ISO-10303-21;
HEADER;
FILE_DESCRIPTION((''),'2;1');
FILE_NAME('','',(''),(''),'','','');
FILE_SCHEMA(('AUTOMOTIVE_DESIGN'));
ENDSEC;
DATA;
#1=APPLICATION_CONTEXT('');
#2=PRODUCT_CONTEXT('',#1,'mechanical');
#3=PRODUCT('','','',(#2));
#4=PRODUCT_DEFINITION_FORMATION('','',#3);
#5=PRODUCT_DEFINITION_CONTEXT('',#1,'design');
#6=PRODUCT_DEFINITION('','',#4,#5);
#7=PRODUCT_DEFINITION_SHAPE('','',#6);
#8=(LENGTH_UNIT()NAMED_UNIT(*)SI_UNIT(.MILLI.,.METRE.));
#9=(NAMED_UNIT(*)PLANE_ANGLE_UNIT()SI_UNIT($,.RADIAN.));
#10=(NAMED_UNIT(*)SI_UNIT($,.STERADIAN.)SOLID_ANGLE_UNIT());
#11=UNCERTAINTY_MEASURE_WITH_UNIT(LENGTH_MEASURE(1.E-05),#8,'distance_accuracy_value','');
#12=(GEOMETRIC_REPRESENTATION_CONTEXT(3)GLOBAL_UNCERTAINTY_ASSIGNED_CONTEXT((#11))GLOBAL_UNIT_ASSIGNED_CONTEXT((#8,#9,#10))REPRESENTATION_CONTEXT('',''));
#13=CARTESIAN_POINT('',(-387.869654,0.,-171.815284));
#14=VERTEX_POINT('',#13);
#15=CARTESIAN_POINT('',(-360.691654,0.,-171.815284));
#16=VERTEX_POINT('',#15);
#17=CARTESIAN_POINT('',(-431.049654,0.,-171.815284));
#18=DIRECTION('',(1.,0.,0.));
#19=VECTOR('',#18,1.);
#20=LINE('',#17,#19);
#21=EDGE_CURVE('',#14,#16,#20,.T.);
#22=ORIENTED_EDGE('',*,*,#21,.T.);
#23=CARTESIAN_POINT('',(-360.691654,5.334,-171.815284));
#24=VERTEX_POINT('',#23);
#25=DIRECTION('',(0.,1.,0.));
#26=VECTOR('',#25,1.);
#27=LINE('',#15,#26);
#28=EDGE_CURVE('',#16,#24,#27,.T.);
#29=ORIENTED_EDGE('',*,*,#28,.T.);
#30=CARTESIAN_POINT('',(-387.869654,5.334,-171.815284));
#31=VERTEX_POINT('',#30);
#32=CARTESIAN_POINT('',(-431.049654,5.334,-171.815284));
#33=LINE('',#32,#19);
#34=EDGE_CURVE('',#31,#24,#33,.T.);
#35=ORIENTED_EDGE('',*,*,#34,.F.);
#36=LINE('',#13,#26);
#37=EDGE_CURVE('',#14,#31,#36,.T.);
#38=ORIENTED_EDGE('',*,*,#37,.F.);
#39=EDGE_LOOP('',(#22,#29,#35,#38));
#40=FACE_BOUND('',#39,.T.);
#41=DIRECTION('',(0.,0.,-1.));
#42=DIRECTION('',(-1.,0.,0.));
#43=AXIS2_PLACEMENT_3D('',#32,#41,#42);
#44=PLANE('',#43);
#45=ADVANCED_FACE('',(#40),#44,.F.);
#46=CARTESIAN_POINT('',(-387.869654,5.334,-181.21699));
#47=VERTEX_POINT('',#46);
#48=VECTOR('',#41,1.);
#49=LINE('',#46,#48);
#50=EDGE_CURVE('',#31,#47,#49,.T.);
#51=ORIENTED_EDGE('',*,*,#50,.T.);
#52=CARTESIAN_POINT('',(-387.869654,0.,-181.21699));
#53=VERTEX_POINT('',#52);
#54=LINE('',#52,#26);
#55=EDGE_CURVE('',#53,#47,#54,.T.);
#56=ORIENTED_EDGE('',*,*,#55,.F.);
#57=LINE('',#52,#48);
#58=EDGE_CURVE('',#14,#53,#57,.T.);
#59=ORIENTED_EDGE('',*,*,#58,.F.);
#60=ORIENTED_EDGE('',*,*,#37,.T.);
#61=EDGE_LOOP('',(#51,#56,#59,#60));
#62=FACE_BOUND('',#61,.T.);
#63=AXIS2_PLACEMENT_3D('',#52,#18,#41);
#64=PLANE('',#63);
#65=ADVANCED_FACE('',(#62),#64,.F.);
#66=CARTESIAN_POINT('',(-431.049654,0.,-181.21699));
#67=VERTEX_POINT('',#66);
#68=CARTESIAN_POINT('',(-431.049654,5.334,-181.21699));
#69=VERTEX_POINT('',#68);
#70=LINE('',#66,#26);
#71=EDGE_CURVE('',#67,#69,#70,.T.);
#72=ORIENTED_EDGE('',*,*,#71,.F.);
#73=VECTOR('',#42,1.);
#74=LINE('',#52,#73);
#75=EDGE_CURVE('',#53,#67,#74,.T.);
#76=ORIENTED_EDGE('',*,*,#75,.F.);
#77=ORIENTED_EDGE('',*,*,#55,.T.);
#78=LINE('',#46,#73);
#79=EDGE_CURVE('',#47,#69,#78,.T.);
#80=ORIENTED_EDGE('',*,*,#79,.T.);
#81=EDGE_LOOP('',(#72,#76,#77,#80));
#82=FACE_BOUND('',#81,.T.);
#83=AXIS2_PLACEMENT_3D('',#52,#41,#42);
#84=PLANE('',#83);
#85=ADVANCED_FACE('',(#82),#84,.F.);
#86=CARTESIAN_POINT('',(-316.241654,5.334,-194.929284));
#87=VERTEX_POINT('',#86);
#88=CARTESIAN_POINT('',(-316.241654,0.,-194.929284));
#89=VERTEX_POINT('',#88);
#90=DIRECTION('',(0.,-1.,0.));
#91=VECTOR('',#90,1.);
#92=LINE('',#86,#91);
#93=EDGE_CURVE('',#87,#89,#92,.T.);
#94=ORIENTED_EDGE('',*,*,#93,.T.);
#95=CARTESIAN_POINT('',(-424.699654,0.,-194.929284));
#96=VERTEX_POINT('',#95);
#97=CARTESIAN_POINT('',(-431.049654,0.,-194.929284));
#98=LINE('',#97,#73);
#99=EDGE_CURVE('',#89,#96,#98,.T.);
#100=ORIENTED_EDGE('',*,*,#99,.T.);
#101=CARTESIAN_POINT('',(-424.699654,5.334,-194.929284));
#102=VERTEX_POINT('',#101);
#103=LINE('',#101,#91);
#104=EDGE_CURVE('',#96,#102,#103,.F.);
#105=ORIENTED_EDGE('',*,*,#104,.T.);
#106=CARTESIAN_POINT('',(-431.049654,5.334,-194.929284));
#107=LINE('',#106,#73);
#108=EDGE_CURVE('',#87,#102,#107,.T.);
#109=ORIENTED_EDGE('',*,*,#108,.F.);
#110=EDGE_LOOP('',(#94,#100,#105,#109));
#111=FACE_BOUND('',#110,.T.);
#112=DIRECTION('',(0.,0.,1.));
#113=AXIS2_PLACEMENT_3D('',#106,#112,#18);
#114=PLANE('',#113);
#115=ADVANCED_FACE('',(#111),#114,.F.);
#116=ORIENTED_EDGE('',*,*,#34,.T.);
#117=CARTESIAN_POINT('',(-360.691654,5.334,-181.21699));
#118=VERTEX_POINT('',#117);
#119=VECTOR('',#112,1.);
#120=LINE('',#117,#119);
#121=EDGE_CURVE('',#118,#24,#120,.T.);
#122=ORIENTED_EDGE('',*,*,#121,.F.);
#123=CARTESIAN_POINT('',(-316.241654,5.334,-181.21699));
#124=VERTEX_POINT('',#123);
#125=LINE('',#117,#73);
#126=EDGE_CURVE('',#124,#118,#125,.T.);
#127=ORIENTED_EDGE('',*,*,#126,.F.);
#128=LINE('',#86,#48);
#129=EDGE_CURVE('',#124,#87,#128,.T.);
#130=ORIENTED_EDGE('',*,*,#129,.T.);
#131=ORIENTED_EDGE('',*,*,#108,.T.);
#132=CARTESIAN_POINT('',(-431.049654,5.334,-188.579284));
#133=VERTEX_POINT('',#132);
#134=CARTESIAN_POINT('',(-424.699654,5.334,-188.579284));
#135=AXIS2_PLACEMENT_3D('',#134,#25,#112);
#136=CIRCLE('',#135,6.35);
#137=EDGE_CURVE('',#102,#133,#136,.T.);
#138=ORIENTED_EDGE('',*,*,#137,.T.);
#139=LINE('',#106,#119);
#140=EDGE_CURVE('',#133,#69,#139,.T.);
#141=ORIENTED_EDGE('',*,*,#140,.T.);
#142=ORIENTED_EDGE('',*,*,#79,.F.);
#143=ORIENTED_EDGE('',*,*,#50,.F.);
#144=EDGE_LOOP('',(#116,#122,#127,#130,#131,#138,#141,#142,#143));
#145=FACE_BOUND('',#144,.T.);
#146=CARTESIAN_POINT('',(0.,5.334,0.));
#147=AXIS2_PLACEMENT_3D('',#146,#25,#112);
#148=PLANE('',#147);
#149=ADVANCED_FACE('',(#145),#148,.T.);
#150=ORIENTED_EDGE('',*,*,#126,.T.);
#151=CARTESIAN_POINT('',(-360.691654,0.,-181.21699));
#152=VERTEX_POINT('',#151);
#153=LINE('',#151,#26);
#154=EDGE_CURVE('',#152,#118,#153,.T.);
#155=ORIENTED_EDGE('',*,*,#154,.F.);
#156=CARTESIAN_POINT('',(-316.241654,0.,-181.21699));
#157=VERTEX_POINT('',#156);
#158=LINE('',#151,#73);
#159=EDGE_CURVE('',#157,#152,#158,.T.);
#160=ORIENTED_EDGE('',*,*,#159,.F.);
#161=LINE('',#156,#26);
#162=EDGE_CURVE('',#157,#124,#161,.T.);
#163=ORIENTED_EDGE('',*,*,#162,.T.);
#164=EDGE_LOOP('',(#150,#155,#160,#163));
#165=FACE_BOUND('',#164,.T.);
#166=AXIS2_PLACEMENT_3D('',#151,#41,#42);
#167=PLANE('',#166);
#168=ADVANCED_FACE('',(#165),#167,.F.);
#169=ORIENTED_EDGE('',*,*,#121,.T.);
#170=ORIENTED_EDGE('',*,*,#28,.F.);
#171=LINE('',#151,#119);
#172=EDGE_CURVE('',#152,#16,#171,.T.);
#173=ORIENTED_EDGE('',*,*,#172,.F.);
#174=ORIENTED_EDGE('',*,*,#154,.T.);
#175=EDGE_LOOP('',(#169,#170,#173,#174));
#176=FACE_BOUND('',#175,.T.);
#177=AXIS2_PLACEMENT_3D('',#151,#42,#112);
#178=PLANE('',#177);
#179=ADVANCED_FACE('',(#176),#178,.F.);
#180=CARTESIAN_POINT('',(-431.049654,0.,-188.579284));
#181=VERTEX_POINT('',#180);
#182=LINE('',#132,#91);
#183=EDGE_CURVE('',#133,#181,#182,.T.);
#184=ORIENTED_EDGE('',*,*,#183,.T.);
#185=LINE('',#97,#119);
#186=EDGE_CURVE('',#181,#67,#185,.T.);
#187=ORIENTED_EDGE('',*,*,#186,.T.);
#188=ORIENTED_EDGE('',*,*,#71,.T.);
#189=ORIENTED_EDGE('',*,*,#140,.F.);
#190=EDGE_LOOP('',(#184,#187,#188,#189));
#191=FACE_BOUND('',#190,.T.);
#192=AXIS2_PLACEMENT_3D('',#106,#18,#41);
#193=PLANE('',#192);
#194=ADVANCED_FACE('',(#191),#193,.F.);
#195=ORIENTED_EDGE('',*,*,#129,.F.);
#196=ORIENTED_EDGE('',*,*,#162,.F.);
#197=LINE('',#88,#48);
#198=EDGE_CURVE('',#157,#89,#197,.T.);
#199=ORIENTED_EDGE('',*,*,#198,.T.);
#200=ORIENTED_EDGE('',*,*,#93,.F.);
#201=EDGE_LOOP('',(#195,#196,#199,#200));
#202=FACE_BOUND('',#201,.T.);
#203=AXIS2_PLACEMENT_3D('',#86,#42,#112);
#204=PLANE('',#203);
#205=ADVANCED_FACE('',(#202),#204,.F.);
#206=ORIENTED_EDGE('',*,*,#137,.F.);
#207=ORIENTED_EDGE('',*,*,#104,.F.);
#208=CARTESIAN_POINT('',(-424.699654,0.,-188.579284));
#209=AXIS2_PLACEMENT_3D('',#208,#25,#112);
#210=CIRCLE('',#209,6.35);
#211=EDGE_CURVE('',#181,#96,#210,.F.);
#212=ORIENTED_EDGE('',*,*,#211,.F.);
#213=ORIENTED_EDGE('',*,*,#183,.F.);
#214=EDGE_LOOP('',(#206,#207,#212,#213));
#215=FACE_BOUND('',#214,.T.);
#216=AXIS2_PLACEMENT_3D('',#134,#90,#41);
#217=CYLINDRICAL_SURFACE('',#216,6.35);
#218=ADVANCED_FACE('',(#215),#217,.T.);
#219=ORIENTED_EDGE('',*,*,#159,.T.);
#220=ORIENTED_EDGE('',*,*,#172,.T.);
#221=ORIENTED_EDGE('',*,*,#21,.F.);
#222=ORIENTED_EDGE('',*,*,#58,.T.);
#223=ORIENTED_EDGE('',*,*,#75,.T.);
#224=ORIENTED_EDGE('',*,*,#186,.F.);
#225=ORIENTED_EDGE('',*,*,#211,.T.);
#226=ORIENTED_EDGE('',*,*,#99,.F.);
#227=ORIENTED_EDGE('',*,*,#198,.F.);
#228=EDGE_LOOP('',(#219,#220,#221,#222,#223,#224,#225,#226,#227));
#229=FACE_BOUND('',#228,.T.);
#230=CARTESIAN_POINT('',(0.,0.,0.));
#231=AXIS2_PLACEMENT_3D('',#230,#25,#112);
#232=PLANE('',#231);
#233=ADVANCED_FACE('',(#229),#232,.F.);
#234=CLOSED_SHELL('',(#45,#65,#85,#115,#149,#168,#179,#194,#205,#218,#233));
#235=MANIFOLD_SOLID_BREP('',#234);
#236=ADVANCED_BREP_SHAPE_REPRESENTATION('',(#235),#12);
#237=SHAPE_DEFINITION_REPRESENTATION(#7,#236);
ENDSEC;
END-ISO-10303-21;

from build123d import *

# Parameters (mm, degrees)
SKETCH1_W           = 114.808
SKETCH1_H           = 23.114
BOSS_EXTRUDE1_DEPTH = 5.334
FILLET1_R           = 6.35
SKETCH3_W           = 43.18
SKETCH3_H           = 9.401705223
SKETCH3_W_2         = 44.45
CUT_EXTRUDE2_DEPTH  = 474.106416887


with BuildPart() as part:
    # Sketch1 → Boss-Extrude1 (new body)
    with BuildSketch(Plane(origin=(0, 0, 0), x_dir=(1, 0, 0), z_dir=(0, 1, 0))):
        with Locations((-373.645654051, 183.372284322)):
            Rectangle(SKETCH1_W, SKETCH1_H)
    extrude(amount=BOSS_EXTRUDE1_DEPTH)

    # Fillet1
    fillet1_edges = [part.edges().sort_by_distance(p)[0] for p in [
        (-431.049654051, 2.667, -194.929284322),
    ]]
    fillet(fillet1_edges, radius=FILLET1_R)

    # Sketch3 → Cut-Extrude2 (cut, through all)
    with BuildSketch(Plane(origin=(0, 5.334, 0), x_dir=(1, 0, 0), z_dir=(0, 1, 0))):
        with Locations((-409.459654051, 176.516136934)):
            Rectangle(SKETCH3_W, SKETCH3_H)
        with Locations((-338.466654051, 176.516136934)):
            Rectangle(SKETCH3_W_2, SKETCH3_H)
    extrude(amount=-CUT_EXTRUDE2_DEPTH, mode=Mode.SUBTRACT)


solid = part.part
